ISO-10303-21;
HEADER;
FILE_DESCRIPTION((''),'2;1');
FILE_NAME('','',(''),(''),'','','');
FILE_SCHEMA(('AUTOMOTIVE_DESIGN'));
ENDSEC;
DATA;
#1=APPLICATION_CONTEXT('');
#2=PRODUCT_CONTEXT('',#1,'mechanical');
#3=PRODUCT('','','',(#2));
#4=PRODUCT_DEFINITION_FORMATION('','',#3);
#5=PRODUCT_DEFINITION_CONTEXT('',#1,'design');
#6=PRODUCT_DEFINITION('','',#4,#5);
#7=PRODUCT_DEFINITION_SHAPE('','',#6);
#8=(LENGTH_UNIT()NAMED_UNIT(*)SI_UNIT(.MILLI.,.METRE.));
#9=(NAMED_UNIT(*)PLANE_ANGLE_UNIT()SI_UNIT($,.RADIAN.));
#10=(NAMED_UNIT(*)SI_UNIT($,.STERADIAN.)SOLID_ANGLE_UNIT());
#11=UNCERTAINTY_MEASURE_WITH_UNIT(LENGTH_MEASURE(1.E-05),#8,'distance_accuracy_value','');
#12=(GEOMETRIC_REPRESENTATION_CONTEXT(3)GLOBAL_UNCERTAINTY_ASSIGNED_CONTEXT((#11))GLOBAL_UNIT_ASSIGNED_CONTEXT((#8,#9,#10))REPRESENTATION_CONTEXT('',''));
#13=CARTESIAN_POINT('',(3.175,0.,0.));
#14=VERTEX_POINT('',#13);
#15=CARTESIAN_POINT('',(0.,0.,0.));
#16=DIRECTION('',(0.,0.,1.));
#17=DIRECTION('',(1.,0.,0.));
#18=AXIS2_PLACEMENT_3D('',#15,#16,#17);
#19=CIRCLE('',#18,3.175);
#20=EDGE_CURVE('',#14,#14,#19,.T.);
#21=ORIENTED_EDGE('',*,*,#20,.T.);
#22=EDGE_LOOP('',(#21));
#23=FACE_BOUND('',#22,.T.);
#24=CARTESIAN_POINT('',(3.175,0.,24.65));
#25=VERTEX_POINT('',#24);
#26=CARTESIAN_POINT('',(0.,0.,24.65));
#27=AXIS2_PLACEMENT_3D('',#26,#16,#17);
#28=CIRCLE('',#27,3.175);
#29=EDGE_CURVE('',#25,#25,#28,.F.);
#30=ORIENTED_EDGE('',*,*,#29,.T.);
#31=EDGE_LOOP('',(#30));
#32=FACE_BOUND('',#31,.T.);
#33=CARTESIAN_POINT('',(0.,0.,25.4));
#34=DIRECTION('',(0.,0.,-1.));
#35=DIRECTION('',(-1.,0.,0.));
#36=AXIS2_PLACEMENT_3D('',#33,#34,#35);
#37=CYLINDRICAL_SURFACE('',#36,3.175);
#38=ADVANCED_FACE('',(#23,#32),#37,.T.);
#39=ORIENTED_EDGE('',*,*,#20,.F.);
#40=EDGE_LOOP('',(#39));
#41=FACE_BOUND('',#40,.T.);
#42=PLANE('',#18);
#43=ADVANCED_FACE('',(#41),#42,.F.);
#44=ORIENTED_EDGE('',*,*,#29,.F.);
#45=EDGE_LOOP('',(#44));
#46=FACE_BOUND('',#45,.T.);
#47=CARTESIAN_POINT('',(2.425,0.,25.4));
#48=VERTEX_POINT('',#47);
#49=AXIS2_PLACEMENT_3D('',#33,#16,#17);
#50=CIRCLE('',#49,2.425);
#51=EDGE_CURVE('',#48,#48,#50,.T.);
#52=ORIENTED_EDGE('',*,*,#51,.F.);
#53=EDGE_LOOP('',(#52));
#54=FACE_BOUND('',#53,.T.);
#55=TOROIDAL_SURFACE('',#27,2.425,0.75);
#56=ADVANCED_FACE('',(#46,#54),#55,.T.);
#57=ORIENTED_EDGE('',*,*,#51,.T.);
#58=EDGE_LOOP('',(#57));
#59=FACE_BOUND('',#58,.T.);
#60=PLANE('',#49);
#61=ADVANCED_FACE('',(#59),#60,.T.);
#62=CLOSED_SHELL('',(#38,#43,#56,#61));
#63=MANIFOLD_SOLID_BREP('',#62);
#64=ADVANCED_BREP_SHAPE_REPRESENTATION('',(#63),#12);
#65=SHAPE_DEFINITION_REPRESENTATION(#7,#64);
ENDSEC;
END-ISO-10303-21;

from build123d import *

# Parameters (mm, degrees)
SKETCH1_R           = 3.175
BOSS_EXTRUDE1_DEPTH = 25.4
FILLET1_R           = 0.75


with BuildPart() as part:
    # Sketch1 → Boss-Extrude1 (new body)
    with BuildSketch(Plane.XY):
        Circle(SKETCH1_R)
    extrude(amount=BOSS_EXTRUDE1_DEPTH)

    # Fillet1
    fillet1_edges = [part.edges().sort_by_distance(p)[0] for p in [
        (-3.175, 0, 25.4),
    ]]
    fillet(fillet1_edges, radius=FILLET1_R)


solid = part.part
